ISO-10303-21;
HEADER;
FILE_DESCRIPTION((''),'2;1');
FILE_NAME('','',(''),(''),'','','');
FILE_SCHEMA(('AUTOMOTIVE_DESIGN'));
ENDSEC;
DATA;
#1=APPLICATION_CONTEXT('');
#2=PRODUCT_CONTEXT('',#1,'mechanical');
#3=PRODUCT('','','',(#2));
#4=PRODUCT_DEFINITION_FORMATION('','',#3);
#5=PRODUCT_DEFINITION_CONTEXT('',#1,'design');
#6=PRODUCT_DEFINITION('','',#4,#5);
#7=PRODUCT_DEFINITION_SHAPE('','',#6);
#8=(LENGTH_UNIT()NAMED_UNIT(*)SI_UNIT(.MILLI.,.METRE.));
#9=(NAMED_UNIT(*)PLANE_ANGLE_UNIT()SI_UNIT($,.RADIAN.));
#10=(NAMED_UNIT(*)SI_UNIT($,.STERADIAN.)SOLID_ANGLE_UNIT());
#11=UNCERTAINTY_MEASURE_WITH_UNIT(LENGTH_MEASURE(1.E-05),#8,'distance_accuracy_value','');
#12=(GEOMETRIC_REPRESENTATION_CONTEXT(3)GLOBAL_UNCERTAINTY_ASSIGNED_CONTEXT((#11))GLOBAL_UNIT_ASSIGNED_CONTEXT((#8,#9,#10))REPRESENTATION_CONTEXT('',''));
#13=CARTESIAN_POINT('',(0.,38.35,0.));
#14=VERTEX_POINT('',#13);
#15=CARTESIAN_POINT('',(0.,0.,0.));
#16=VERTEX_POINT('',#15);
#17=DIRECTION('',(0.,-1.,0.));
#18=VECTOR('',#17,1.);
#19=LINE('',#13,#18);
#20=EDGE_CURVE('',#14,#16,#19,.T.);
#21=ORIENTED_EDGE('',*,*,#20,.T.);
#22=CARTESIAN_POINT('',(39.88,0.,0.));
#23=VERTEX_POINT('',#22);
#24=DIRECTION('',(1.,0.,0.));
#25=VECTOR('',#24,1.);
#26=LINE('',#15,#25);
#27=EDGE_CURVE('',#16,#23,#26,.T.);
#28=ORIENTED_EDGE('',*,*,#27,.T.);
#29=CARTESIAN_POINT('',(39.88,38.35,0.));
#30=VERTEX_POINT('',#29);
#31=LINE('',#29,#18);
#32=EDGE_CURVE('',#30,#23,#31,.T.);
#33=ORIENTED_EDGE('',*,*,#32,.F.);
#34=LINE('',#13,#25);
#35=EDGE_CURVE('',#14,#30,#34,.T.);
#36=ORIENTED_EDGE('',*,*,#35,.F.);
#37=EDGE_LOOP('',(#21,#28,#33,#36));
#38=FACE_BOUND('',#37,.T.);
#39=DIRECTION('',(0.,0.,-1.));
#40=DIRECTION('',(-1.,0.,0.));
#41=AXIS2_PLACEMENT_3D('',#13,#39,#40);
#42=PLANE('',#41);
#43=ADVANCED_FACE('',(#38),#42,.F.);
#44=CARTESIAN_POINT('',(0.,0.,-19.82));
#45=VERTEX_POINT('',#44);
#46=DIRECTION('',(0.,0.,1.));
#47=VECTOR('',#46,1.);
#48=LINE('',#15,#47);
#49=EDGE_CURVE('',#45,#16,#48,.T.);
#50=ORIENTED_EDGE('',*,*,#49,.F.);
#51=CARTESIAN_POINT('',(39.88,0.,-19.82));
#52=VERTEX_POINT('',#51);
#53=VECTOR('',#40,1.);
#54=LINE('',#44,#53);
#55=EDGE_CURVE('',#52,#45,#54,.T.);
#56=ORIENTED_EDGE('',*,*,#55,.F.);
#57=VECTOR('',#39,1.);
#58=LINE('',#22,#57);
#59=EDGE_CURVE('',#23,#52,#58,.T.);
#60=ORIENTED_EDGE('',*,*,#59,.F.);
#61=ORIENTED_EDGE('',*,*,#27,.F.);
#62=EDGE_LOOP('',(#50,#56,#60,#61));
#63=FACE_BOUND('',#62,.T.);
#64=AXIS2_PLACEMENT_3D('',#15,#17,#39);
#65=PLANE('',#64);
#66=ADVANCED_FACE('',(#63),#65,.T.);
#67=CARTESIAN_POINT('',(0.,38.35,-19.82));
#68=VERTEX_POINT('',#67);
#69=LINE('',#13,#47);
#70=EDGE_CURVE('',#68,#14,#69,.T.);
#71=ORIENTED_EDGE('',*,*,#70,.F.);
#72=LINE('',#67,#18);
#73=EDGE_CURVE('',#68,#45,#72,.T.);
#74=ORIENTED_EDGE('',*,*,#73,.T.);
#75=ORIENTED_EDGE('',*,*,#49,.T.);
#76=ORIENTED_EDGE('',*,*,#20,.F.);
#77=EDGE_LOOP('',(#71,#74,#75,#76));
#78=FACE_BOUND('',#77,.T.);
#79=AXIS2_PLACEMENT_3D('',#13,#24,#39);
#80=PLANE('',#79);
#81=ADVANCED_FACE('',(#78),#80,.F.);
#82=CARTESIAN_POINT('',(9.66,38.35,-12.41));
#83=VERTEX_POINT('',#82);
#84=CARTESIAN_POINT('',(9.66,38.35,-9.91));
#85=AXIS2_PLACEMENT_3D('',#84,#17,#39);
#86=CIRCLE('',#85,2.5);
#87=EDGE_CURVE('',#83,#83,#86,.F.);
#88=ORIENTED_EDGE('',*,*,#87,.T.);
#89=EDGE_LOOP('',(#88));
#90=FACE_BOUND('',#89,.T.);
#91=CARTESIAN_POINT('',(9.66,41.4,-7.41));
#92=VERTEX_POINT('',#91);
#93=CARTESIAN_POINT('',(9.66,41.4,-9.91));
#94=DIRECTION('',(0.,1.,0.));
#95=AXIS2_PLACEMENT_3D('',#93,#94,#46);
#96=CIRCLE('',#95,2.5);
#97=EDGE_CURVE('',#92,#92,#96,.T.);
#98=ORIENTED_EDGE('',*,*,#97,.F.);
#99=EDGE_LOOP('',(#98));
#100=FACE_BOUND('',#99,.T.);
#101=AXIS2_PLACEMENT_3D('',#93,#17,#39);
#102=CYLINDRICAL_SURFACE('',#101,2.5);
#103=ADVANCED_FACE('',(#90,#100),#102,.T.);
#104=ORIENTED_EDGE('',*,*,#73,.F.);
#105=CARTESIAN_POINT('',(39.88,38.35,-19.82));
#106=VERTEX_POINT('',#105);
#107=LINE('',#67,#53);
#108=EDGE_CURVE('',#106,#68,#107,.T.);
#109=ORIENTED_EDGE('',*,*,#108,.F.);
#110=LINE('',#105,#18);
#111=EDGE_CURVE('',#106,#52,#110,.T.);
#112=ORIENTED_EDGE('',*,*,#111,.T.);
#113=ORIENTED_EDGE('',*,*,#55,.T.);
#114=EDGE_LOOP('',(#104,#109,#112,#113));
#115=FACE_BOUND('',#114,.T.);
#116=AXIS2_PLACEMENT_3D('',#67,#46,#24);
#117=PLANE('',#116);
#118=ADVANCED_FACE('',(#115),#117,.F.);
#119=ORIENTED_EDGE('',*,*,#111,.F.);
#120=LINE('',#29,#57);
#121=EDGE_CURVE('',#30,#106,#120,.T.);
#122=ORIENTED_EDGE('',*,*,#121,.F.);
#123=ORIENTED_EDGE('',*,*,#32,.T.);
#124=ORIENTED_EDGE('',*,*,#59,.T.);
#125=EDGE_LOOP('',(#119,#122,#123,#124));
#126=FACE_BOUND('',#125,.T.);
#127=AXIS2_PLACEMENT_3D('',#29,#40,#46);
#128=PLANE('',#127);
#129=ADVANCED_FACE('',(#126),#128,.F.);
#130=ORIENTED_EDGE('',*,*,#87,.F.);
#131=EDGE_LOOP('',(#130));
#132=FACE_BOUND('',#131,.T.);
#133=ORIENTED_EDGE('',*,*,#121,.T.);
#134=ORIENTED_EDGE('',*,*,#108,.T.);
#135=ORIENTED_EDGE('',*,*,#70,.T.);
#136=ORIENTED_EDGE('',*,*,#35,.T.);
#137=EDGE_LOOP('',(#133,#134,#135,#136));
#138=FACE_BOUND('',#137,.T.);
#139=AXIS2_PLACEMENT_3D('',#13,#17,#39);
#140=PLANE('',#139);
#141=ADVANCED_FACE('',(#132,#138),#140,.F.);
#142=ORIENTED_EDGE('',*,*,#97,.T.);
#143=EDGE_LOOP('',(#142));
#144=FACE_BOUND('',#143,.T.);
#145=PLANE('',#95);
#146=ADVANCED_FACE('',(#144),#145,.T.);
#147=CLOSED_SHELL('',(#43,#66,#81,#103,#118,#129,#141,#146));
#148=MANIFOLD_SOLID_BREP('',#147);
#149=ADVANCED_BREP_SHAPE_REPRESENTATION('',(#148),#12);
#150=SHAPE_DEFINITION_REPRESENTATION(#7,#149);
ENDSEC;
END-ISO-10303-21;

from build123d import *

# Parameters (mm, degrees)
SKETCH1_W           = 39.88
SKETCH1_H           = 19.82
BOSS_EXTRUDE1_DEPTH = 38.35
SKETCH2_R           = 2.5
BOSS_EXTRUDE2_DEPTH = 3.05


with BuildPart() as part:
    # Sketch1 → Boss-Extrude1 (new body)
    with BuildSketch(Plane(origin=(0, 0, 0), x_dir=(1, 0, 0), z_dir=(0, 1, 0))):
        with Locations((19.94, 9.91)):
            Rectangle(SKETCH1_W, SKETCH1_H)
    extrude(amount=BOSS_EXTRUDE1_DEPTH)

    # Sketch2 → Boss-Extrude2 (add)
    with BuildSketch(Plane(origin=(0, 38.35, 0), x_dir=(1, 0, 0), z_dir=(0, 1, 0))):
        with Locations(Location((9.66, 9.91, 0), (0, 0, 90))):
            Circle(SKETCH2_R)
    extrude(amount=BOSS_EXTRUDE2_DEPTH)


solid = part.part
